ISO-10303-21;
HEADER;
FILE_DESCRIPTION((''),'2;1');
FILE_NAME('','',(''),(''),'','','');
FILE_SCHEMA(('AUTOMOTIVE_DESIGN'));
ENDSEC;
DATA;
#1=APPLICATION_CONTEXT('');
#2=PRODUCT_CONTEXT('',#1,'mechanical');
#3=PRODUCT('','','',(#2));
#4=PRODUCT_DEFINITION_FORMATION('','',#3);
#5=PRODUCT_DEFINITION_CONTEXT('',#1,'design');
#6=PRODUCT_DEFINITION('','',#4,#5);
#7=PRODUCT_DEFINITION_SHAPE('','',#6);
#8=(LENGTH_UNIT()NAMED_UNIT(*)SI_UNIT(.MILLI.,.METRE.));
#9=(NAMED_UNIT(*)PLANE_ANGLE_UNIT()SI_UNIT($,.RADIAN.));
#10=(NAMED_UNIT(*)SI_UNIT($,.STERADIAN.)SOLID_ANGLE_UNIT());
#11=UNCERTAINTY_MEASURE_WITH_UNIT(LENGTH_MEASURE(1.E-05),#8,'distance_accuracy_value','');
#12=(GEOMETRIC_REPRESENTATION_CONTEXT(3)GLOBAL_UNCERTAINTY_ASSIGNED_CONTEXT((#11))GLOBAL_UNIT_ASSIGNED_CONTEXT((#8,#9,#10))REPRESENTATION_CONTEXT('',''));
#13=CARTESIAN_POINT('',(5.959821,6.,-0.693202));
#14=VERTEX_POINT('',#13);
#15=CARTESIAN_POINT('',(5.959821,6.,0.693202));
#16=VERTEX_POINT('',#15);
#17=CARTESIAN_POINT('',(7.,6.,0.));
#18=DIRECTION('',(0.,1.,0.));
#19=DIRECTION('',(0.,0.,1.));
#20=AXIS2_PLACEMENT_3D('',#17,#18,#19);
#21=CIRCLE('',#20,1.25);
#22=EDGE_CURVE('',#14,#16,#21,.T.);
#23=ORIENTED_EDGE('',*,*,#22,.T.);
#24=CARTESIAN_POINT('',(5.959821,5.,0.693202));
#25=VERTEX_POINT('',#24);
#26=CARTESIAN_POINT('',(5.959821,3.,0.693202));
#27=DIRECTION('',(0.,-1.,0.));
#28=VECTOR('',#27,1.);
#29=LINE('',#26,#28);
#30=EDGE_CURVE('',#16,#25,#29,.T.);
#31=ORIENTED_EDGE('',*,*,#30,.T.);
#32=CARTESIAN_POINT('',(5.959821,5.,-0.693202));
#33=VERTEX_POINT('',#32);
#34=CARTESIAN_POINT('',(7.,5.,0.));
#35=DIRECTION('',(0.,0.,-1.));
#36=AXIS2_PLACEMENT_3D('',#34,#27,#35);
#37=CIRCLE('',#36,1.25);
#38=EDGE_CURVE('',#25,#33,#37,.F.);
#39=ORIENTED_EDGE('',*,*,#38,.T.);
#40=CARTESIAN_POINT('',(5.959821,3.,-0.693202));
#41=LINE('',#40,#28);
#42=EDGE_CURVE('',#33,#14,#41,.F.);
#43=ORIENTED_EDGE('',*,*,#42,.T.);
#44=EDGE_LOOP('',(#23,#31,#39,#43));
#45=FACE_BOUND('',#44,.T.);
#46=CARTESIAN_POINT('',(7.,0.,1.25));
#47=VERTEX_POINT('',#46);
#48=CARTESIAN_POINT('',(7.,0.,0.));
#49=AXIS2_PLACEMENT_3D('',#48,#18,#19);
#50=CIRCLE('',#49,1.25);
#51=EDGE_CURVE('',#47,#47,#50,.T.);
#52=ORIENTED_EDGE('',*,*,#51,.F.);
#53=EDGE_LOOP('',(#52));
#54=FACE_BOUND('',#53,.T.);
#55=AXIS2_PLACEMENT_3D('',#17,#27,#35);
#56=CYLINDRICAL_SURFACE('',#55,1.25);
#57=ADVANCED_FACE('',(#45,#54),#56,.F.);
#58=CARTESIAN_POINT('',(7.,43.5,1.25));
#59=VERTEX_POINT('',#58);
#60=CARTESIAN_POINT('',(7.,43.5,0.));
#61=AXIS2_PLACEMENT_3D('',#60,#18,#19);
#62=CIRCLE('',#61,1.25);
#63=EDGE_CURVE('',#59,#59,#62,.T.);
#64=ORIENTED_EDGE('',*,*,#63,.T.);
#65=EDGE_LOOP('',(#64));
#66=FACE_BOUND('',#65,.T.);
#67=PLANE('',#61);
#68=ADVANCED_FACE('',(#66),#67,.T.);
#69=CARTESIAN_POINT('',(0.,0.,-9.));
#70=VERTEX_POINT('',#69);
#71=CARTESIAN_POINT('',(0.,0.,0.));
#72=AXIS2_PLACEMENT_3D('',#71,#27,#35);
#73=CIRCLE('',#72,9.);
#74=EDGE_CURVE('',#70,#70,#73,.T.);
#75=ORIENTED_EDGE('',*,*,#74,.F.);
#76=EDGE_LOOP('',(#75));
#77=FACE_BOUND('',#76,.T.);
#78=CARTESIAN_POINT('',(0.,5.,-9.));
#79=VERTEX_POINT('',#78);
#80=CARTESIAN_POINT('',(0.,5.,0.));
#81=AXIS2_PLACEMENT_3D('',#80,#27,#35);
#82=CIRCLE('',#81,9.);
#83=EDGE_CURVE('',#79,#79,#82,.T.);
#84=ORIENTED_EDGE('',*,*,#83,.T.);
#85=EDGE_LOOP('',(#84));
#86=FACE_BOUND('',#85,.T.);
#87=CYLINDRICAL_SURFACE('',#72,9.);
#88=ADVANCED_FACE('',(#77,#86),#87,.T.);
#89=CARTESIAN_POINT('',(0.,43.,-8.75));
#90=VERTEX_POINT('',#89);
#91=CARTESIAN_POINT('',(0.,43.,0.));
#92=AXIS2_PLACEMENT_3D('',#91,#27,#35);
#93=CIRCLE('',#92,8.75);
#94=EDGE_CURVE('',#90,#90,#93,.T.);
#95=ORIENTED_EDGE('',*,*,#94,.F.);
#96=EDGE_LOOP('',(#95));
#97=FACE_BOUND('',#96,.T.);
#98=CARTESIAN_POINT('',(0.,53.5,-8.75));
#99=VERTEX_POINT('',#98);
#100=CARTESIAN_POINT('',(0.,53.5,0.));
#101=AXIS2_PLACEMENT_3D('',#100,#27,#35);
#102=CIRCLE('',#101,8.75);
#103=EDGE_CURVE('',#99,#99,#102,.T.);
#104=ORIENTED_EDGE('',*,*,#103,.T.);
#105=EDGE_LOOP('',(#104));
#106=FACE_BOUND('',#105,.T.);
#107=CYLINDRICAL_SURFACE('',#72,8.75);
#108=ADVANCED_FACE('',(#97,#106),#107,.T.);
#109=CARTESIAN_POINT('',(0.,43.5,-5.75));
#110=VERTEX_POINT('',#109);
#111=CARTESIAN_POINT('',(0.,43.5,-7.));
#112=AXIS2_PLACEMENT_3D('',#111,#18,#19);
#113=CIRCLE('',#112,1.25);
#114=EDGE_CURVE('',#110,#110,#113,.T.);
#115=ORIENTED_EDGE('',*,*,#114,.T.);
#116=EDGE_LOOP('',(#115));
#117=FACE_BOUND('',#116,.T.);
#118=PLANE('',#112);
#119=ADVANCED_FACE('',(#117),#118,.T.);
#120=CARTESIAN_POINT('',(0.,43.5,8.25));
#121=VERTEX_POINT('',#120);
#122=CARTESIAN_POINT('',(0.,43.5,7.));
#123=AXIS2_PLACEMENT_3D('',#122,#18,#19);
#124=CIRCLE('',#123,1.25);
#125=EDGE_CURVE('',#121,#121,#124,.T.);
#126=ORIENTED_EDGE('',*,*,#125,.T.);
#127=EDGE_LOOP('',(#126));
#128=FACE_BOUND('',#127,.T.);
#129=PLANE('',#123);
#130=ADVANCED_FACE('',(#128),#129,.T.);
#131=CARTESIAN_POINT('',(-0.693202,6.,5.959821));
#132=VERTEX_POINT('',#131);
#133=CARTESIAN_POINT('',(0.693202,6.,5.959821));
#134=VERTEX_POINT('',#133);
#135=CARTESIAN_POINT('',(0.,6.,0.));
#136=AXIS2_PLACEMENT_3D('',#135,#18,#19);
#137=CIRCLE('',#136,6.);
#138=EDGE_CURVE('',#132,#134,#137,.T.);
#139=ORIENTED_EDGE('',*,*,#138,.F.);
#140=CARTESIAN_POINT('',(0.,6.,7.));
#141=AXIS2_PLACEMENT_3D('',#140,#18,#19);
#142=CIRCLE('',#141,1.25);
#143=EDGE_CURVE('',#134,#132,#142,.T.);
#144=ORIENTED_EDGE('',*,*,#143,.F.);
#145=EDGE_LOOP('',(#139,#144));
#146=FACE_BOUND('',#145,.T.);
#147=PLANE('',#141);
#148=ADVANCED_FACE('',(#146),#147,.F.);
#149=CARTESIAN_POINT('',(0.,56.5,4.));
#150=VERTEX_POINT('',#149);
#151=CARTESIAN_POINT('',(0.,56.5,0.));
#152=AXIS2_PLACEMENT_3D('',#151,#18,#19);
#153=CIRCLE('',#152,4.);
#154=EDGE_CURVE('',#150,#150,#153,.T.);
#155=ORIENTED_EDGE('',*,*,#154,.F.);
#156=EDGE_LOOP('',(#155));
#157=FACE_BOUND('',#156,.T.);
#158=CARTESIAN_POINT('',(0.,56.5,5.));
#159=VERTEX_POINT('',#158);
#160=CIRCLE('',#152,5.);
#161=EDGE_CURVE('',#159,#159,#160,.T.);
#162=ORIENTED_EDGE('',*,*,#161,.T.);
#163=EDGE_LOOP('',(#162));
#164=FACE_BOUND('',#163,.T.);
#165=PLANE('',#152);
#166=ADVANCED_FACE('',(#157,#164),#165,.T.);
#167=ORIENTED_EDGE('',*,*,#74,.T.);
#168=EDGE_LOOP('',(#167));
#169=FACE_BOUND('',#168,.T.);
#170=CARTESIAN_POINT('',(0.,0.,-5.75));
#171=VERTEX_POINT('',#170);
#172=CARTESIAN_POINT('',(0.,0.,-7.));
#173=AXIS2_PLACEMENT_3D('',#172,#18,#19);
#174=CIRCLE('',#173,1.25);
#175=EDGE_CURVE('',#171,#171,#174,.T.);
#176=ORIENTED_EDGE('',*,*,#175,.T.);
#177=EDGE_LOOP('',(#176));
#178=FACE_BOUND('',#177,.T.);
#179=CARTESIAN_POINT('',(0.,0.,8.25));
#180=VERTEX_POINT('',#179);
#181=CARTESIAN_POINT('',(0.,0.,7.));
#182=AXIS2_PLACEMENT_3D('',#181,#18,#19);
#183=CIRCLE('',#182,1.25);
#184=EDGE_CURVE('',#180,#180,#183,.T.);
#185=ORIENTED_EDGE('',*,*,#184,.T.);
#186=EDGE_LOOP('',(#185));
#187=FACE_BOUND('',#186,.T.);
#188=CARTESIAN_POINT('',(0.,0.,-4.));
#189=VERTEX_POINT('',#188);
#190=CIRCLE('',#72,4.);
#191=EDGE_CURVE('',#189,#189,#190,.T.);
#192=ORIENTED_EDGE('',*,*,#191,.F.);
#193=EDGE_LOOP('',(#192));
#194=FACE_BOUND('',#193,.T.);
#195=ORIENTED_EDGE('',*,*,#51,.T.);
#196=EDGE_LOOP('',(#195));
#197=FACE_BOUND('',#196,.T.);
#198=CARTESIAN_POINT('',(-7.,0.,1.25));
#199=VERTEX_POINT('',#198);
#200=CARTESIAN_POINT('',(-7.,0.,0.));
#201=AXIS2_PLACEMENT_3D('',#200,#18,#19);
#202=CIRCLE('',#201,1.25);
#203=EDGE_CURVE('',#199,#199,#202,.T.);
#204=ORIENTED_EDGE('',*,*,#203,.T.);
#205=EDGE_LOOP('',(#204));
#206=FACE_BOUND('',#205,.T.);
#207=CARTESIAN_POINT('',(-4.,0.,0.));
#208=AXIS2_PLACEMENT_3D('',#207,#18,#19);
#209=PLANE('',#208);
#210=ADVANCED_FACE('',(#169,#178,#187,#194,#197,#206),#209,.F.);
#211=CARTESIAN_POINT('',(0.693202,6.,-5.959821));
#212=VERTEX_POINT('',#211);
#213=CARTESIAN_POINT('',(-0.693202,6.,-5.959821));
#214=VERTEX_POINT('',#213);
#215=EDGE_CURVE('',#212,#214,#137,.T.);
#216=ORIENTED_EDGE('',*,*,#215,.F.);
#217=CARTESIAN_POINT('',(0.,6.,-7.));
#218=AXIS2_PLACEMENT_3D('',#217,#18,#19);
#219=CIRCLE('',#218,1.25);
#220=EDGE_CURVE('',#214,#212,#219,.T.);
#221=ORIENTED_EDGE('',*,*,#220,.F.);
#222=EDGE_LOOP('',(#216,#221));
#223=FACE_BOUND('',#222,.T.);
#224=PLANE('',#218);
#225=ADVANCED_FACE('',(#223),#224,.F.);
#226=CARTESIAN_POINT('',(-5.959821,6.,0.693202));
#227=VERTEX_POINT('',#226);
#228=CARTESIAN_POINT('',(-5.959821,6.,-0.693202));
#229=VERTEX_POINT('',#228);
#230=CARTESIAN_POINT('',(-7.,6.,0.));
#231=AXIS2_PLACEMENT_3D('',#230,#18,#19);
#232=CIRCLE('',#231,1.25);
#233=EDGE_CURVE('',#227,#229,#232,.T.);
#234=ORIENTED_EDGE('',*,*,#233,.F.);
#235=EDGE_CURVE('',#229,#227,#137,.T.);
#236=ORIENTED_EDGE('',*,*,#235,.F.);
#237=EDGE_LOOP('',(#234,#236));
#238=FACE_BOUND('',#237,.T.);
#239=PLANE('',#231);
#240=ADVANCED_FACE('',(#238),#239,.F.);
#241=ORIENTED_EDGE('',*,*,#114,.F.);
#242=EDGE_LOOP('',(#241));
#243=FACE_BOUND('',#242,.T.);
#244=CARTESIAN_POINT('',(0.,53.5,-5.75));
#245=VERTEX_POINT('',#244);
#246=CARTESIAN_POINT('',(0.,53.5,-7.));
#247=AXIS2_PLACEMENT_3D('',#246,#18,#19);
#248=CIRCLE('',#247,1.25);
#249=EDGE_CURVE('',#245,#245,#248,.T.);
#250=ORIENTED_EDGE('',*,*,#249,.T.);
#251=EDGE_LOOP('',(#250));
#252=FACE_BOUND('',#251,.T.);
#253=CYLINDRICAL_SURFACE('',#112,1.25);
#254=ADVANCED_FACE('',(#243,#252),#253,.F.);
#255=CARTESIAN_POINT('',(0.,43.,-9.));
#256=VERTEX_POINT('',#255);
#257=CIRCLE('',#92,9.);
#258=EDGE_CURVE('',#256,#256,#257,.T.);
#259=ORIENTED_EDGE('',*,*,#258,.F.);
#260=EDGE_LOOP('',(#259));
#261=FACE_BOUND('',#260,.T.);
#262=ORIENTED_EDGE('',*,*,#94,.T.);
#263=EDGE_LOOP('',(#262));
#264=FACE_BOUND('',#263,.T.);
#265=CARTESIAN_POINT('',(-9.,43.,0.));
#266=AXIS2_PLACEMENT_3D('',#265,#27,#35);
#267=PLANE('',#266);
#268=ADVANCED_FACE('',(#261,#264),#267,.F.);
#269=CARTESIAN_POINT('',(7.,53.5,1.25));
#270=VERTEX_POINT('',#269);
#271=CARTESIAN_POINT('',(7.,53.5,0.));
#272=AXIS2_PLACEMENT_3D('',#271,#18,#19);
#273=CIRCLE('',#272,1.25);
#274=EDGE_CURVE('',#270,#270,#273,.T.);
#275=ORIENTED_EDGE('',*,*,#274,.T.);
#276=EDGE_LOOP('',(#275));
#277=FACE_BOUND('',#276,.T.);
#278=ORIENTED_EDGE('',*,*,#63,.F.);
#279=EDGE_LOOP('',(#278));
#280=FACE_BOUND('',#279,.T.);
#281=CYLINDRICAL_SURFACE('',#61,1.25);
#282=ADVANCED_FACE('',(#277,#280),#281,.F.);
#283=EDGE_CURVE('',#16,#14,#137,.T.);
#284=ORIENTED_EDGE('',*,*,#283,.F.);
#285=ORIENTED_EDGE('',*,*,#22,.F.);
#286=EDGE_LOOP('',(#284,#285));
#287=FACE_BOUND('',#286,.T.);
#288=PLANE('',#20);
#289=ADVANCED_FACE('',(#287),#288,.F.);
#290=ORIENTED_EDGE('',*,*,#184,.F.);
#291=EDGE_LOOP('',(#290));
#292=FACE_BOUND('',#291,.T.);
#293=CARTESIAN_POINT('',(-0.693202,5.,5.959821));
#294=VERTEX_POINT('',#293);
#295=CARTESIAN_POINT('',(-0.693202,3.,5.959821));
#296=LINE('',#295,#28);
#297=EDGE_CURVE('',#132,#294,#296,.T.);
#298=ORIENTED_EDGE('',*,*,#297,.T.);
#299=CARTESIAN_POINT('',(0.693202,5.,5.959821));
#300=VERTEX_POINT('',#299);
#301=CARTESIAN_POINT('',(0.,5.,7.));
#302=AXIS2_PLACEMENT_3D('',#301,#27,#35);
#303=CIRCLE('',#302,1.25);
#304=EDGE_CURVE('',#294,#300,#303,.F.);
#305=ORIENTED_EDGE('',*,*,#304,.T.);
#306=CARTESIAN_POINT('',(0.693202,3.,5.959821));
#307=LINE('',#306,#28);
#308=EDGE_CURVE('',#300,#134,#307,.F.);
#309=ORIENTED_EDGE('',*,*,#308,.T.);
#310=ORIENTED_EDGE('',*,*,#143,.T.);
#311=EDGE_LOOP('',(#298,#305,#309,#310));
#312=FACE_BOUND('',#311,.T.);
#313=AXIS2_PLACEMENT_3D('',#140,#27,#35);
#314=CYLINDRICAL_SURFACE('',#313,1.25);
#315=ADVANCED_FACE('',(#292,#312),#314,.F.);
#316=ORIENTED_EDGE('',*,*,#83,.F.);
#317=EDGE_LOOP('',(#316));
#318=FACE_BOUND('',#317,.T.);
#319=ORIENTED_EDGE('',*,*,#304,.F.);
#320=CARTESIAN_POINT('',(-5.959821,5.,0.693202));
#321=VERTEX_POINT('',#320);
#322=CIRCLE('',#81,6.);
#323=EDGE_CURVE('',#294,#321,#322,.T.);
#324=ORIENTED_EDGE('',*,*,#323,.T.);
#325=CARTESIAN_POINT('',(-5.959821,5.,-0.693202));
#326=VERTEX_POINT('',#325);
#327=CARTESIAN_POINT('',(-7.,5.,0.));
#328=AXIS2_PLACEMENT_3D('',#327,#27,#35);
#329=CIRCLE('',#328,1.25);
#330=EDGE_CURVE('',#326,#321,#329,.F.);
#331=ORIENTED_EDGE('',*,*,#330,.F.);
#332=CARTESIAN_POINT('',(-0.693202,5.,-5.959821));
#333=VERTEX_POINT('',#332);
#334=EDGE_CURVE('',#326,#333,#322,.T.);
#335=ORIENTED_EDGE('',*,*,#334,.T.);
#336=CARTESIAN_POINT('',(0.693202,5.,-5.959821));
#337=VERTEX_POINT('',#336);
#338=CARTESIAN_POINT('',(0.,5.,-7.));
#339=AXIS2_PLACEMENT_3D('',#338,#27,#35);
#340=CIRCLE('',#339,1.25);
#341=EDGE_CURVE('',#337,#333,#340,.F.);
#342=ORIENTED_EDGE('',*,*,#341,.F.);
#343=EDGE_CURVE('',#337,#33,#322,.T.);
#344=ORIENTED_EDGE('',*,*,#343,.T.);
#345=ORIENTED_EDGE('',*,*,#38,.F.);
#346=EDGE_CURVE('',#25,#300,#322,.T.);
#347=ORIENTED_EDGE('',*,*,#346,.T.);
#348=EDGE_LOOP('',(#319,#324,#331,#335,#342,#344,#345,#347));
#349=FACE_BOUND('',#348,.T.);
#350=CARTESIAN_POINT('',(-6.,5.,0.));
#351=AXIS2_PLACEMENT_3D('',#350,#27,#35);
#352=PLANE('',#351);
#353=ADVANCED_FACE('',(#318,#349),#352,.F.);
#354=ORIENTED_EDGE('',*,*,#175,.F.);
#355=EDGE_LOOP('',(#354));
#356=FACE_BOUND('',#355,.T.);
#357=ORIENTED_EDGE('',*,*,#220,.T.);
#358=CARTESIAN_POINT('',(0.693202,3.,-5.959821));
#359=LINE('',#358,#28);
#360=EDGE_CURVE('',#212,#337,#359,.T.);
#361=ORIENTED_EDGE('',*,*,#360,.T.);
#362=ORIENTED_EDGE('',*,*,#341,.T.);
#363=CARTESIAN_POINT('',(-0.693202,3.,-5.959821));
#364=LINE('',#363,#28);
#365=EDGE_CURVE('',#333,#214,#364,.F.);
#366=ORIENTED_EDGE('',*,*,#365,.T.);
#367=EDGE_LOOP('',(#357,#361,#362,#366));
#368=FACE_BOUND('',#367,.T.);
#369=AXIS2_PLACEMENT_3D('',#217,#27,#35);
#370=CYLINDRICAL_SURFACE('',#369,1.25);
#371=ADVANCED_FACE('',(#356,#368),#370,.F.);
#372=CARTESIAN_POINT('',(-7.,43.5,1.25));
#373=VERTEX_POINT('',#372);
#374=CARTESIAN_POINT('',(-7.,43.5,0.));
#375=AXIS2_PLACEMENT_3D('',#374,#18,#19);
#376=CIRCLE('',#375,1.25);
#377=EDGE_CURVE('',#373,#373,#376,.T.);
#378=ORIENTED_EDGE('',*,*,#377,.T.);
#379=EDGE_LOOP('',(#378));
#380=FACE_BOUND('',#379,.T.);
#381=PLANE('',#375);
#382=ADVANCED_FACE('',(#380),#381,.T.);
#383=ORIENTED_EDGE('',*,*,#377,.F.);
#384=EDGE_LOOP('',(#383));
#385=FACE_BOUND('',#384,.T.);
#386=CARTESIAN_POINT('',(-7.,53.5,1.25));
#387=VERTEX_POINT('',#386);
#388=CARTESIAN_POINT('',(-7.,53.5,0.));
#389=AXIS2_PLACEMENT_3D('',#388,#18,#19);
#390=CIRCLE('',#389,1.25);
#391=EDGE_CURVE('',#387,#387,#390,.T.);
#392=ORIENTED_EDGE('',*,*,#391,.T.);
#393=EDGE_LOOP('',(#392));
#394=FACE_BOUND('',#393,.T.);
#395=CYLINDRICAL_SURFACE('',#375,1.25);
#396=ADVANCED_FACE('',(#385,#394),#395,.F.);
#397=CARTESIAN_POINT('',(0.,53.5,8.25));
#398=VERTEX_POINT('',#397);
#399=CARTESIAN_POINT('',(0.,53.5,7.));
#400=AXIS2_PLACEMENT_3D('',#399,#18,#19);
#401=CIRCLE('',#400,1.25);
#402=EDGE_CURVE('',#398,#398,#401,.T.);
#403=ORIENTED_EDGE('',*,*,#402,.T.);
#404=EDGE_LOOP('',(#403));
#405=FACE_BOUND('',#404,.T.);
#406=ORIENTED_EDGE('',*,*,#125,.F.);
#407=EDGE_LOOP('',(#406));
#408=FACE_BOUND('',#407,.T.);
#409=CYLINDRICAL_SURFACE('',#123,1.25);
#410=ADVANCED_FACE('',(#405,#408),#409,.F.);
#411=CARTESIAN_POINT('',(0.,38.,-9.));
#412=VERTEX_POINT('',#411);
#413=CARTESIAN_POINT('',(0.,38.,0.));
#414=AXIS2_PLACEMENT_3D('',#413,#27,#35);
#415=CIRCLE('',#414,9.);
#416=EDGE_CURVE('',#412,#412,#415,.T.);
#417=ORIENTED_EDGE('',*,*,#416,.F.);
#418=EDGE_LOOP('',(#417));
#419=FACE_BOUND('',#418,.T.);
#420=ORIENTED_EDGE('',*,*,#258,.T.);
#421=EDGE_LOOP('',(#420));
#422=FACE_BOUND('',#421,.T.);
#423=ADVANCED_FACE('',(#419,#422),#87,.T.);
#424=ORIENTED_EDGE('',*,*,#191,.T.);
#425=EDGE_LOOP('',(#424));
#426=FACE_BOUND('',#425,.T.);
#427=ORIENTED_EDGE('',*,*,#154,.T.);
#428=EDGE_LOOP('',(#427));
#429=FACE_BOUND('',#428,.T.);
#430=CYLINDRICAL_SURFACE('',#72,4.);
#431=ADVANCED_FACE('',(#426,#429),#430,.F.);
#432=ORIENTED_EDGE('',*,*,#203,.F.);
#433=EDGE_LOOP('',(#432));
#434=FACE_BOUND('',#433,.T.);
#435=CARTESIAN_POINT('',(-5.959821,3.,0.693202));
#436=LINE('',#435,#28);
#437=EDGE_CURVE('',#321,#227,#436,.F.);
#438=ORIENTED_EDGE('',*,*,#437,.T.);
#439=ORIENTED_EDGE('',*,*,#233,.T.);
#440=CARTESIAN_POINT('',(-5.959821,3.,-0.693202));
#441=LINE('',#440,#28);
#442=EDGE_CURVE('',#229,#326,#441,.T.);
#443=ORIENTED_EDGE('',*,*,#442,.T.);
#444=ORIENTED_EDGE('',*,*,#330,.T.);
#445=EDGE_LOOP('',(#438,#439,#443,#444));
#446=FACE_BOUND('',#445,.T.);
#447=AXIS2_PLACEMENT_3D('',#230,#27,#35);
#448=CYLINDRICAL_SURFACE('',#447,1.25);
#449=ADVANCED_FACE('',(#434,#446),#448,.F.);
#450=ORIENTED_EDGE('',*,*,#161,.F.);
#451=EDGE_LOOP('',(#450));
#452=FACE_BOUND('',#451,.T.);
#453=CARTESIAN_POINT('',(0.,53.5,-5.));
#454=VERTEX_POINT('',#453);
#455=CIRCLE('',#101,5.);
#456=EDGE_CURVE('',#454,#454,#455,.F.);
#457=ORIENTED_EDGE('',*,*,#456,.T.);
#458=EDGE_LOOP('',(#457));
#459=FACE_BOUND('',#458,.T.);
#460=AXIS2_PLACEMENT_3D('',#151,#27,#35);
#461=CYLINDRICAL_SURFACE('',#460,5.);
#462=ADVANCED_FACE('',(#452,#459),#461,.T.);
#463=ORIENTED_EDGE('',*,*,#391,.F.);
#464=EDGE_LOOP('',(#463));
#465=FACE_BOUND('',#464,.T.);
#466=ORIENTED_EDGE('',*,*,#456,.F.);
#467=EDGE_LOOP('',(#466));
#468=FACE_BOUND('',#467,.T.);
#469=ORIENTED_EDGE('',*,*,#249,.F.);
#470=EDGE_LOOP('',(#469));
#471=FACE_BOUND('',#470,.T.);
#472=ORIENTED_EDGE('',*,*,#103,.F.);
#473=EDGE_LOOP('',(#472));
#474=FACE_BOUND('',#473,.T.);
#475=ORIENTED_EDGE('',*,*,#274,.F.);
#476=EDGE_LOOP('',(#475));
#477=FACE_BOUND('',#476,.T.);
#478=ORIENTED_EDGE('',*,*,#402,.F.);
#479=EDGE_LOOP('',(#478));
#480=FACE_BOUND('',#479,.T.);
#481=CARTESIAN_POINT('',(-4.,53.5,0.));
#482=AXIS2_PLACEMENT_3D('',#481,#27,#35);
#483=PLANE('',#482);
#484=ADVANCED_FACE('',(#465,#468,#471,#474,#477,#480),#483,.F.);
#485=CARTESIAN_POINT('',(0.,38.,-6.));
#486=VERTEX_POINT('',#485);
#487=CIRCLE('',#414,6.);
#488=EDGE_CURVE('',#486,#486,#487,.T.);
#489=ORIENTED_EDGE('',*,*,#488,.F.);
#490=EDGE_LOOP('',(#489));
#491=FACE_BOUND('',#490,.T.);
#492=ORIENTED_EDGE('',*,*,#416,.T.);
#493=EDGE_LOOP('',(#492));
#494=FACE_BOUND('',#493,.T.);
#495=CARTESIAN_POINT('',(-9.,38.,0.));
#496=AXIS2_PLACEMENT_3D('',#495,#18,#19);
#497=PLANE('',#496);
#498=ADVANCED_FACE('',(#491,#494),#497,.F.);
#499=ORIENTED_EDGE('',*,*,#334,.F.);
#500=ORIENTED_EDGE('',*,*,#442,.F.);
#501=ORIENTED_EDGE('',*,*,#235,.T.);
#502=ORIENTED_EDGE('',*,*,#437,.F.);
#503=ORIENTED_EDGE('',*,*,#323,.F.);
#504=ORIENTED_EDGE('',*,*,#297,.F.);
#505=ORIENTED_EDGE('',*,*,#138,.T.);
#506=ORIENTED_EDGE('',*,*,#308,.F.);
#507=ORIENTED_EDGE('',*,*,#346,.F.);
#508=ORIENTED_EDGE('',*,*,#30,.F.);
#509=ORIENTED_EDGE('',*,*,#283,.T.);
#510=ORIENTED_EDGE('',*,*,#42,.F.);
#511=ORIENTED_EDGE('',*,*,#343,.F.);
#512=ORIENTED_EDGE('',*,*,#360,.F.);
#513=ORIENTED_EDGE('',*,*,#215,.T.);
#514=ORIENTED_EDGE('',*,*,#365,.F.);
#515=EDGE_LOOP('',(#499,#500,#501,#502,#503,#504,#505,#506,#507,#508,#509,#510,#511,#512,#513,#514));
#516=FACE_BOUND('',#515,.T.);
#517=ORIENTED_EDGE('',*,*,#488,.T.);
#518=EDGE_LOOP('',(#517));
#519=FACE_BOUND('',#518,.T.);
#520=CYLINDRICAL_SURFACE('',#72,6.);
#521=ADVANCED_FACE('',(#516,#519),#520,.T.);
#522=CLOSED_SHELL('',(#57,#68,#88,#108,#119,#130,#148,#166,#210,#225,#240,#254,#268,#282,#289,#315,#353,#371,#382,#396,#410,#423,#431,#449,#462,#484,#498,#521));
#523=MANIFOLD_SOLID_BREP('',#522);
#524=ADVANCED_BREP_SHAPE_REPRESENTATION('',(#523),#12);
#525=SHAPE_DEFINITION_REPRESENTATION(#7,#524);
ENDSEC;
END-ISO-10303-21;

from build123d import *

# Parameters (mm, degrees)
SKETCH_2_R          = 1.25
CUT_EXTRUDE_1_DEPTH = 10
CUT_EXTRUDE_START   = -47.5
SKETCH_2_2_R        = 1.25
CUT_EXTRUDE_2_DEPTH = 6
EXTRUDE_START       = 3
SKETCH_4_R          = 5
SKETCH_4_R_2        = 4
EXTRUDE_1_DEPTH     = 3


with BuildPart() as part:
    # 草图1 → 旋转1 (revolve)
    with BuildSketch(Plane.XY, mode=Mode.PRIVATE) as revolve_1_sk:
        Polygon((-9, 38), (-6, 38), (-6, 5), (-9, 5), (-9, 0), (-4, 0), (-4, 53.5), (-8.75, 53.5), (-8.75, 43), (-9, 43), align=None)
    revolve(revolve_1_sk.sketch.rotate(Axis((0, 0, 0), (0, 1, 0)), 270), axis=Axis((0, 0, 0), (0, 1, 0)))

    # 草图2 → 切除-拉伸1 (cut)
    with BuildSketch(Plane(origin=(0, 53.5, 0), x_dir=(1, 0, 0), z_dir=(0, 1, 0))):
        with Locations(Location((0, 7, 0), (0, 0, 270))):
            Circle(SKETCH_2_R)
        with Locations(Location((7, 0, 0), (0, 0, 270))):
            Circle(SKETCH_2_R)
        with Locations(Location((0, -7, 0), (0, 0, 270))):
            Circle(SKETCH_2_R)
        with Locations(Location((-7, 0, 0), (0, 0, 270))):
            Circle(SKETCH_2_R)
    extrude(amount=-CUT_EXTRUDE_1_DEPTH, mode=Mode.SUBTRACT)

    # 草图2<2> → 切除-拉伸2 (cut)
    with BuildSketch(Plane(origin=(0, 53.5, 0), x_dir=(1, 0, 0), z_dir=(0, 1, 0)).offset(CUT_EXTRUDE_START)):
        with Locations(Location((0, 7, 0), (0, 0, 270))):
            Circle(SKETCH_2_2_R)
        with Locations(Location((7, 0, 0), (0, 0, 270))):
            Circle(SKETCH_2_2_R)
        with Locations(Location((0, -7, 0), (0, 0, 270))):
            Circle(SKETCH_2_2_R)
        with Locations(Location((-7, 0, 0), (0, 0, 270))):
            Circle(SKETCH_2_2_R)
    extrude(amount=-CUT_EXTRUDE_2_DEPTH, mode=Mode.SUBTRACT)

    # 草图4 → 凸台-拉伸1 (add)
    with BuildSketch(Plane(origin=(0, 53.5, 0), x_dir=(1, 0, 0), z_dir=(0, 1, 0)).offset(EXTRUDE_START)):
        with Locations(Location((0, 0, 0), (0, 0, 90))):
            Circle(SKETCH_4_R)
        with Locations(Location((0, 0, 0), (0, 0, 90))):
            Circle(SKETCH_4_R_2, mode=Mode.SUBTRACT)
    extrude(amount=-EXTRUDE_1_DEPTH)


solid = part.part
